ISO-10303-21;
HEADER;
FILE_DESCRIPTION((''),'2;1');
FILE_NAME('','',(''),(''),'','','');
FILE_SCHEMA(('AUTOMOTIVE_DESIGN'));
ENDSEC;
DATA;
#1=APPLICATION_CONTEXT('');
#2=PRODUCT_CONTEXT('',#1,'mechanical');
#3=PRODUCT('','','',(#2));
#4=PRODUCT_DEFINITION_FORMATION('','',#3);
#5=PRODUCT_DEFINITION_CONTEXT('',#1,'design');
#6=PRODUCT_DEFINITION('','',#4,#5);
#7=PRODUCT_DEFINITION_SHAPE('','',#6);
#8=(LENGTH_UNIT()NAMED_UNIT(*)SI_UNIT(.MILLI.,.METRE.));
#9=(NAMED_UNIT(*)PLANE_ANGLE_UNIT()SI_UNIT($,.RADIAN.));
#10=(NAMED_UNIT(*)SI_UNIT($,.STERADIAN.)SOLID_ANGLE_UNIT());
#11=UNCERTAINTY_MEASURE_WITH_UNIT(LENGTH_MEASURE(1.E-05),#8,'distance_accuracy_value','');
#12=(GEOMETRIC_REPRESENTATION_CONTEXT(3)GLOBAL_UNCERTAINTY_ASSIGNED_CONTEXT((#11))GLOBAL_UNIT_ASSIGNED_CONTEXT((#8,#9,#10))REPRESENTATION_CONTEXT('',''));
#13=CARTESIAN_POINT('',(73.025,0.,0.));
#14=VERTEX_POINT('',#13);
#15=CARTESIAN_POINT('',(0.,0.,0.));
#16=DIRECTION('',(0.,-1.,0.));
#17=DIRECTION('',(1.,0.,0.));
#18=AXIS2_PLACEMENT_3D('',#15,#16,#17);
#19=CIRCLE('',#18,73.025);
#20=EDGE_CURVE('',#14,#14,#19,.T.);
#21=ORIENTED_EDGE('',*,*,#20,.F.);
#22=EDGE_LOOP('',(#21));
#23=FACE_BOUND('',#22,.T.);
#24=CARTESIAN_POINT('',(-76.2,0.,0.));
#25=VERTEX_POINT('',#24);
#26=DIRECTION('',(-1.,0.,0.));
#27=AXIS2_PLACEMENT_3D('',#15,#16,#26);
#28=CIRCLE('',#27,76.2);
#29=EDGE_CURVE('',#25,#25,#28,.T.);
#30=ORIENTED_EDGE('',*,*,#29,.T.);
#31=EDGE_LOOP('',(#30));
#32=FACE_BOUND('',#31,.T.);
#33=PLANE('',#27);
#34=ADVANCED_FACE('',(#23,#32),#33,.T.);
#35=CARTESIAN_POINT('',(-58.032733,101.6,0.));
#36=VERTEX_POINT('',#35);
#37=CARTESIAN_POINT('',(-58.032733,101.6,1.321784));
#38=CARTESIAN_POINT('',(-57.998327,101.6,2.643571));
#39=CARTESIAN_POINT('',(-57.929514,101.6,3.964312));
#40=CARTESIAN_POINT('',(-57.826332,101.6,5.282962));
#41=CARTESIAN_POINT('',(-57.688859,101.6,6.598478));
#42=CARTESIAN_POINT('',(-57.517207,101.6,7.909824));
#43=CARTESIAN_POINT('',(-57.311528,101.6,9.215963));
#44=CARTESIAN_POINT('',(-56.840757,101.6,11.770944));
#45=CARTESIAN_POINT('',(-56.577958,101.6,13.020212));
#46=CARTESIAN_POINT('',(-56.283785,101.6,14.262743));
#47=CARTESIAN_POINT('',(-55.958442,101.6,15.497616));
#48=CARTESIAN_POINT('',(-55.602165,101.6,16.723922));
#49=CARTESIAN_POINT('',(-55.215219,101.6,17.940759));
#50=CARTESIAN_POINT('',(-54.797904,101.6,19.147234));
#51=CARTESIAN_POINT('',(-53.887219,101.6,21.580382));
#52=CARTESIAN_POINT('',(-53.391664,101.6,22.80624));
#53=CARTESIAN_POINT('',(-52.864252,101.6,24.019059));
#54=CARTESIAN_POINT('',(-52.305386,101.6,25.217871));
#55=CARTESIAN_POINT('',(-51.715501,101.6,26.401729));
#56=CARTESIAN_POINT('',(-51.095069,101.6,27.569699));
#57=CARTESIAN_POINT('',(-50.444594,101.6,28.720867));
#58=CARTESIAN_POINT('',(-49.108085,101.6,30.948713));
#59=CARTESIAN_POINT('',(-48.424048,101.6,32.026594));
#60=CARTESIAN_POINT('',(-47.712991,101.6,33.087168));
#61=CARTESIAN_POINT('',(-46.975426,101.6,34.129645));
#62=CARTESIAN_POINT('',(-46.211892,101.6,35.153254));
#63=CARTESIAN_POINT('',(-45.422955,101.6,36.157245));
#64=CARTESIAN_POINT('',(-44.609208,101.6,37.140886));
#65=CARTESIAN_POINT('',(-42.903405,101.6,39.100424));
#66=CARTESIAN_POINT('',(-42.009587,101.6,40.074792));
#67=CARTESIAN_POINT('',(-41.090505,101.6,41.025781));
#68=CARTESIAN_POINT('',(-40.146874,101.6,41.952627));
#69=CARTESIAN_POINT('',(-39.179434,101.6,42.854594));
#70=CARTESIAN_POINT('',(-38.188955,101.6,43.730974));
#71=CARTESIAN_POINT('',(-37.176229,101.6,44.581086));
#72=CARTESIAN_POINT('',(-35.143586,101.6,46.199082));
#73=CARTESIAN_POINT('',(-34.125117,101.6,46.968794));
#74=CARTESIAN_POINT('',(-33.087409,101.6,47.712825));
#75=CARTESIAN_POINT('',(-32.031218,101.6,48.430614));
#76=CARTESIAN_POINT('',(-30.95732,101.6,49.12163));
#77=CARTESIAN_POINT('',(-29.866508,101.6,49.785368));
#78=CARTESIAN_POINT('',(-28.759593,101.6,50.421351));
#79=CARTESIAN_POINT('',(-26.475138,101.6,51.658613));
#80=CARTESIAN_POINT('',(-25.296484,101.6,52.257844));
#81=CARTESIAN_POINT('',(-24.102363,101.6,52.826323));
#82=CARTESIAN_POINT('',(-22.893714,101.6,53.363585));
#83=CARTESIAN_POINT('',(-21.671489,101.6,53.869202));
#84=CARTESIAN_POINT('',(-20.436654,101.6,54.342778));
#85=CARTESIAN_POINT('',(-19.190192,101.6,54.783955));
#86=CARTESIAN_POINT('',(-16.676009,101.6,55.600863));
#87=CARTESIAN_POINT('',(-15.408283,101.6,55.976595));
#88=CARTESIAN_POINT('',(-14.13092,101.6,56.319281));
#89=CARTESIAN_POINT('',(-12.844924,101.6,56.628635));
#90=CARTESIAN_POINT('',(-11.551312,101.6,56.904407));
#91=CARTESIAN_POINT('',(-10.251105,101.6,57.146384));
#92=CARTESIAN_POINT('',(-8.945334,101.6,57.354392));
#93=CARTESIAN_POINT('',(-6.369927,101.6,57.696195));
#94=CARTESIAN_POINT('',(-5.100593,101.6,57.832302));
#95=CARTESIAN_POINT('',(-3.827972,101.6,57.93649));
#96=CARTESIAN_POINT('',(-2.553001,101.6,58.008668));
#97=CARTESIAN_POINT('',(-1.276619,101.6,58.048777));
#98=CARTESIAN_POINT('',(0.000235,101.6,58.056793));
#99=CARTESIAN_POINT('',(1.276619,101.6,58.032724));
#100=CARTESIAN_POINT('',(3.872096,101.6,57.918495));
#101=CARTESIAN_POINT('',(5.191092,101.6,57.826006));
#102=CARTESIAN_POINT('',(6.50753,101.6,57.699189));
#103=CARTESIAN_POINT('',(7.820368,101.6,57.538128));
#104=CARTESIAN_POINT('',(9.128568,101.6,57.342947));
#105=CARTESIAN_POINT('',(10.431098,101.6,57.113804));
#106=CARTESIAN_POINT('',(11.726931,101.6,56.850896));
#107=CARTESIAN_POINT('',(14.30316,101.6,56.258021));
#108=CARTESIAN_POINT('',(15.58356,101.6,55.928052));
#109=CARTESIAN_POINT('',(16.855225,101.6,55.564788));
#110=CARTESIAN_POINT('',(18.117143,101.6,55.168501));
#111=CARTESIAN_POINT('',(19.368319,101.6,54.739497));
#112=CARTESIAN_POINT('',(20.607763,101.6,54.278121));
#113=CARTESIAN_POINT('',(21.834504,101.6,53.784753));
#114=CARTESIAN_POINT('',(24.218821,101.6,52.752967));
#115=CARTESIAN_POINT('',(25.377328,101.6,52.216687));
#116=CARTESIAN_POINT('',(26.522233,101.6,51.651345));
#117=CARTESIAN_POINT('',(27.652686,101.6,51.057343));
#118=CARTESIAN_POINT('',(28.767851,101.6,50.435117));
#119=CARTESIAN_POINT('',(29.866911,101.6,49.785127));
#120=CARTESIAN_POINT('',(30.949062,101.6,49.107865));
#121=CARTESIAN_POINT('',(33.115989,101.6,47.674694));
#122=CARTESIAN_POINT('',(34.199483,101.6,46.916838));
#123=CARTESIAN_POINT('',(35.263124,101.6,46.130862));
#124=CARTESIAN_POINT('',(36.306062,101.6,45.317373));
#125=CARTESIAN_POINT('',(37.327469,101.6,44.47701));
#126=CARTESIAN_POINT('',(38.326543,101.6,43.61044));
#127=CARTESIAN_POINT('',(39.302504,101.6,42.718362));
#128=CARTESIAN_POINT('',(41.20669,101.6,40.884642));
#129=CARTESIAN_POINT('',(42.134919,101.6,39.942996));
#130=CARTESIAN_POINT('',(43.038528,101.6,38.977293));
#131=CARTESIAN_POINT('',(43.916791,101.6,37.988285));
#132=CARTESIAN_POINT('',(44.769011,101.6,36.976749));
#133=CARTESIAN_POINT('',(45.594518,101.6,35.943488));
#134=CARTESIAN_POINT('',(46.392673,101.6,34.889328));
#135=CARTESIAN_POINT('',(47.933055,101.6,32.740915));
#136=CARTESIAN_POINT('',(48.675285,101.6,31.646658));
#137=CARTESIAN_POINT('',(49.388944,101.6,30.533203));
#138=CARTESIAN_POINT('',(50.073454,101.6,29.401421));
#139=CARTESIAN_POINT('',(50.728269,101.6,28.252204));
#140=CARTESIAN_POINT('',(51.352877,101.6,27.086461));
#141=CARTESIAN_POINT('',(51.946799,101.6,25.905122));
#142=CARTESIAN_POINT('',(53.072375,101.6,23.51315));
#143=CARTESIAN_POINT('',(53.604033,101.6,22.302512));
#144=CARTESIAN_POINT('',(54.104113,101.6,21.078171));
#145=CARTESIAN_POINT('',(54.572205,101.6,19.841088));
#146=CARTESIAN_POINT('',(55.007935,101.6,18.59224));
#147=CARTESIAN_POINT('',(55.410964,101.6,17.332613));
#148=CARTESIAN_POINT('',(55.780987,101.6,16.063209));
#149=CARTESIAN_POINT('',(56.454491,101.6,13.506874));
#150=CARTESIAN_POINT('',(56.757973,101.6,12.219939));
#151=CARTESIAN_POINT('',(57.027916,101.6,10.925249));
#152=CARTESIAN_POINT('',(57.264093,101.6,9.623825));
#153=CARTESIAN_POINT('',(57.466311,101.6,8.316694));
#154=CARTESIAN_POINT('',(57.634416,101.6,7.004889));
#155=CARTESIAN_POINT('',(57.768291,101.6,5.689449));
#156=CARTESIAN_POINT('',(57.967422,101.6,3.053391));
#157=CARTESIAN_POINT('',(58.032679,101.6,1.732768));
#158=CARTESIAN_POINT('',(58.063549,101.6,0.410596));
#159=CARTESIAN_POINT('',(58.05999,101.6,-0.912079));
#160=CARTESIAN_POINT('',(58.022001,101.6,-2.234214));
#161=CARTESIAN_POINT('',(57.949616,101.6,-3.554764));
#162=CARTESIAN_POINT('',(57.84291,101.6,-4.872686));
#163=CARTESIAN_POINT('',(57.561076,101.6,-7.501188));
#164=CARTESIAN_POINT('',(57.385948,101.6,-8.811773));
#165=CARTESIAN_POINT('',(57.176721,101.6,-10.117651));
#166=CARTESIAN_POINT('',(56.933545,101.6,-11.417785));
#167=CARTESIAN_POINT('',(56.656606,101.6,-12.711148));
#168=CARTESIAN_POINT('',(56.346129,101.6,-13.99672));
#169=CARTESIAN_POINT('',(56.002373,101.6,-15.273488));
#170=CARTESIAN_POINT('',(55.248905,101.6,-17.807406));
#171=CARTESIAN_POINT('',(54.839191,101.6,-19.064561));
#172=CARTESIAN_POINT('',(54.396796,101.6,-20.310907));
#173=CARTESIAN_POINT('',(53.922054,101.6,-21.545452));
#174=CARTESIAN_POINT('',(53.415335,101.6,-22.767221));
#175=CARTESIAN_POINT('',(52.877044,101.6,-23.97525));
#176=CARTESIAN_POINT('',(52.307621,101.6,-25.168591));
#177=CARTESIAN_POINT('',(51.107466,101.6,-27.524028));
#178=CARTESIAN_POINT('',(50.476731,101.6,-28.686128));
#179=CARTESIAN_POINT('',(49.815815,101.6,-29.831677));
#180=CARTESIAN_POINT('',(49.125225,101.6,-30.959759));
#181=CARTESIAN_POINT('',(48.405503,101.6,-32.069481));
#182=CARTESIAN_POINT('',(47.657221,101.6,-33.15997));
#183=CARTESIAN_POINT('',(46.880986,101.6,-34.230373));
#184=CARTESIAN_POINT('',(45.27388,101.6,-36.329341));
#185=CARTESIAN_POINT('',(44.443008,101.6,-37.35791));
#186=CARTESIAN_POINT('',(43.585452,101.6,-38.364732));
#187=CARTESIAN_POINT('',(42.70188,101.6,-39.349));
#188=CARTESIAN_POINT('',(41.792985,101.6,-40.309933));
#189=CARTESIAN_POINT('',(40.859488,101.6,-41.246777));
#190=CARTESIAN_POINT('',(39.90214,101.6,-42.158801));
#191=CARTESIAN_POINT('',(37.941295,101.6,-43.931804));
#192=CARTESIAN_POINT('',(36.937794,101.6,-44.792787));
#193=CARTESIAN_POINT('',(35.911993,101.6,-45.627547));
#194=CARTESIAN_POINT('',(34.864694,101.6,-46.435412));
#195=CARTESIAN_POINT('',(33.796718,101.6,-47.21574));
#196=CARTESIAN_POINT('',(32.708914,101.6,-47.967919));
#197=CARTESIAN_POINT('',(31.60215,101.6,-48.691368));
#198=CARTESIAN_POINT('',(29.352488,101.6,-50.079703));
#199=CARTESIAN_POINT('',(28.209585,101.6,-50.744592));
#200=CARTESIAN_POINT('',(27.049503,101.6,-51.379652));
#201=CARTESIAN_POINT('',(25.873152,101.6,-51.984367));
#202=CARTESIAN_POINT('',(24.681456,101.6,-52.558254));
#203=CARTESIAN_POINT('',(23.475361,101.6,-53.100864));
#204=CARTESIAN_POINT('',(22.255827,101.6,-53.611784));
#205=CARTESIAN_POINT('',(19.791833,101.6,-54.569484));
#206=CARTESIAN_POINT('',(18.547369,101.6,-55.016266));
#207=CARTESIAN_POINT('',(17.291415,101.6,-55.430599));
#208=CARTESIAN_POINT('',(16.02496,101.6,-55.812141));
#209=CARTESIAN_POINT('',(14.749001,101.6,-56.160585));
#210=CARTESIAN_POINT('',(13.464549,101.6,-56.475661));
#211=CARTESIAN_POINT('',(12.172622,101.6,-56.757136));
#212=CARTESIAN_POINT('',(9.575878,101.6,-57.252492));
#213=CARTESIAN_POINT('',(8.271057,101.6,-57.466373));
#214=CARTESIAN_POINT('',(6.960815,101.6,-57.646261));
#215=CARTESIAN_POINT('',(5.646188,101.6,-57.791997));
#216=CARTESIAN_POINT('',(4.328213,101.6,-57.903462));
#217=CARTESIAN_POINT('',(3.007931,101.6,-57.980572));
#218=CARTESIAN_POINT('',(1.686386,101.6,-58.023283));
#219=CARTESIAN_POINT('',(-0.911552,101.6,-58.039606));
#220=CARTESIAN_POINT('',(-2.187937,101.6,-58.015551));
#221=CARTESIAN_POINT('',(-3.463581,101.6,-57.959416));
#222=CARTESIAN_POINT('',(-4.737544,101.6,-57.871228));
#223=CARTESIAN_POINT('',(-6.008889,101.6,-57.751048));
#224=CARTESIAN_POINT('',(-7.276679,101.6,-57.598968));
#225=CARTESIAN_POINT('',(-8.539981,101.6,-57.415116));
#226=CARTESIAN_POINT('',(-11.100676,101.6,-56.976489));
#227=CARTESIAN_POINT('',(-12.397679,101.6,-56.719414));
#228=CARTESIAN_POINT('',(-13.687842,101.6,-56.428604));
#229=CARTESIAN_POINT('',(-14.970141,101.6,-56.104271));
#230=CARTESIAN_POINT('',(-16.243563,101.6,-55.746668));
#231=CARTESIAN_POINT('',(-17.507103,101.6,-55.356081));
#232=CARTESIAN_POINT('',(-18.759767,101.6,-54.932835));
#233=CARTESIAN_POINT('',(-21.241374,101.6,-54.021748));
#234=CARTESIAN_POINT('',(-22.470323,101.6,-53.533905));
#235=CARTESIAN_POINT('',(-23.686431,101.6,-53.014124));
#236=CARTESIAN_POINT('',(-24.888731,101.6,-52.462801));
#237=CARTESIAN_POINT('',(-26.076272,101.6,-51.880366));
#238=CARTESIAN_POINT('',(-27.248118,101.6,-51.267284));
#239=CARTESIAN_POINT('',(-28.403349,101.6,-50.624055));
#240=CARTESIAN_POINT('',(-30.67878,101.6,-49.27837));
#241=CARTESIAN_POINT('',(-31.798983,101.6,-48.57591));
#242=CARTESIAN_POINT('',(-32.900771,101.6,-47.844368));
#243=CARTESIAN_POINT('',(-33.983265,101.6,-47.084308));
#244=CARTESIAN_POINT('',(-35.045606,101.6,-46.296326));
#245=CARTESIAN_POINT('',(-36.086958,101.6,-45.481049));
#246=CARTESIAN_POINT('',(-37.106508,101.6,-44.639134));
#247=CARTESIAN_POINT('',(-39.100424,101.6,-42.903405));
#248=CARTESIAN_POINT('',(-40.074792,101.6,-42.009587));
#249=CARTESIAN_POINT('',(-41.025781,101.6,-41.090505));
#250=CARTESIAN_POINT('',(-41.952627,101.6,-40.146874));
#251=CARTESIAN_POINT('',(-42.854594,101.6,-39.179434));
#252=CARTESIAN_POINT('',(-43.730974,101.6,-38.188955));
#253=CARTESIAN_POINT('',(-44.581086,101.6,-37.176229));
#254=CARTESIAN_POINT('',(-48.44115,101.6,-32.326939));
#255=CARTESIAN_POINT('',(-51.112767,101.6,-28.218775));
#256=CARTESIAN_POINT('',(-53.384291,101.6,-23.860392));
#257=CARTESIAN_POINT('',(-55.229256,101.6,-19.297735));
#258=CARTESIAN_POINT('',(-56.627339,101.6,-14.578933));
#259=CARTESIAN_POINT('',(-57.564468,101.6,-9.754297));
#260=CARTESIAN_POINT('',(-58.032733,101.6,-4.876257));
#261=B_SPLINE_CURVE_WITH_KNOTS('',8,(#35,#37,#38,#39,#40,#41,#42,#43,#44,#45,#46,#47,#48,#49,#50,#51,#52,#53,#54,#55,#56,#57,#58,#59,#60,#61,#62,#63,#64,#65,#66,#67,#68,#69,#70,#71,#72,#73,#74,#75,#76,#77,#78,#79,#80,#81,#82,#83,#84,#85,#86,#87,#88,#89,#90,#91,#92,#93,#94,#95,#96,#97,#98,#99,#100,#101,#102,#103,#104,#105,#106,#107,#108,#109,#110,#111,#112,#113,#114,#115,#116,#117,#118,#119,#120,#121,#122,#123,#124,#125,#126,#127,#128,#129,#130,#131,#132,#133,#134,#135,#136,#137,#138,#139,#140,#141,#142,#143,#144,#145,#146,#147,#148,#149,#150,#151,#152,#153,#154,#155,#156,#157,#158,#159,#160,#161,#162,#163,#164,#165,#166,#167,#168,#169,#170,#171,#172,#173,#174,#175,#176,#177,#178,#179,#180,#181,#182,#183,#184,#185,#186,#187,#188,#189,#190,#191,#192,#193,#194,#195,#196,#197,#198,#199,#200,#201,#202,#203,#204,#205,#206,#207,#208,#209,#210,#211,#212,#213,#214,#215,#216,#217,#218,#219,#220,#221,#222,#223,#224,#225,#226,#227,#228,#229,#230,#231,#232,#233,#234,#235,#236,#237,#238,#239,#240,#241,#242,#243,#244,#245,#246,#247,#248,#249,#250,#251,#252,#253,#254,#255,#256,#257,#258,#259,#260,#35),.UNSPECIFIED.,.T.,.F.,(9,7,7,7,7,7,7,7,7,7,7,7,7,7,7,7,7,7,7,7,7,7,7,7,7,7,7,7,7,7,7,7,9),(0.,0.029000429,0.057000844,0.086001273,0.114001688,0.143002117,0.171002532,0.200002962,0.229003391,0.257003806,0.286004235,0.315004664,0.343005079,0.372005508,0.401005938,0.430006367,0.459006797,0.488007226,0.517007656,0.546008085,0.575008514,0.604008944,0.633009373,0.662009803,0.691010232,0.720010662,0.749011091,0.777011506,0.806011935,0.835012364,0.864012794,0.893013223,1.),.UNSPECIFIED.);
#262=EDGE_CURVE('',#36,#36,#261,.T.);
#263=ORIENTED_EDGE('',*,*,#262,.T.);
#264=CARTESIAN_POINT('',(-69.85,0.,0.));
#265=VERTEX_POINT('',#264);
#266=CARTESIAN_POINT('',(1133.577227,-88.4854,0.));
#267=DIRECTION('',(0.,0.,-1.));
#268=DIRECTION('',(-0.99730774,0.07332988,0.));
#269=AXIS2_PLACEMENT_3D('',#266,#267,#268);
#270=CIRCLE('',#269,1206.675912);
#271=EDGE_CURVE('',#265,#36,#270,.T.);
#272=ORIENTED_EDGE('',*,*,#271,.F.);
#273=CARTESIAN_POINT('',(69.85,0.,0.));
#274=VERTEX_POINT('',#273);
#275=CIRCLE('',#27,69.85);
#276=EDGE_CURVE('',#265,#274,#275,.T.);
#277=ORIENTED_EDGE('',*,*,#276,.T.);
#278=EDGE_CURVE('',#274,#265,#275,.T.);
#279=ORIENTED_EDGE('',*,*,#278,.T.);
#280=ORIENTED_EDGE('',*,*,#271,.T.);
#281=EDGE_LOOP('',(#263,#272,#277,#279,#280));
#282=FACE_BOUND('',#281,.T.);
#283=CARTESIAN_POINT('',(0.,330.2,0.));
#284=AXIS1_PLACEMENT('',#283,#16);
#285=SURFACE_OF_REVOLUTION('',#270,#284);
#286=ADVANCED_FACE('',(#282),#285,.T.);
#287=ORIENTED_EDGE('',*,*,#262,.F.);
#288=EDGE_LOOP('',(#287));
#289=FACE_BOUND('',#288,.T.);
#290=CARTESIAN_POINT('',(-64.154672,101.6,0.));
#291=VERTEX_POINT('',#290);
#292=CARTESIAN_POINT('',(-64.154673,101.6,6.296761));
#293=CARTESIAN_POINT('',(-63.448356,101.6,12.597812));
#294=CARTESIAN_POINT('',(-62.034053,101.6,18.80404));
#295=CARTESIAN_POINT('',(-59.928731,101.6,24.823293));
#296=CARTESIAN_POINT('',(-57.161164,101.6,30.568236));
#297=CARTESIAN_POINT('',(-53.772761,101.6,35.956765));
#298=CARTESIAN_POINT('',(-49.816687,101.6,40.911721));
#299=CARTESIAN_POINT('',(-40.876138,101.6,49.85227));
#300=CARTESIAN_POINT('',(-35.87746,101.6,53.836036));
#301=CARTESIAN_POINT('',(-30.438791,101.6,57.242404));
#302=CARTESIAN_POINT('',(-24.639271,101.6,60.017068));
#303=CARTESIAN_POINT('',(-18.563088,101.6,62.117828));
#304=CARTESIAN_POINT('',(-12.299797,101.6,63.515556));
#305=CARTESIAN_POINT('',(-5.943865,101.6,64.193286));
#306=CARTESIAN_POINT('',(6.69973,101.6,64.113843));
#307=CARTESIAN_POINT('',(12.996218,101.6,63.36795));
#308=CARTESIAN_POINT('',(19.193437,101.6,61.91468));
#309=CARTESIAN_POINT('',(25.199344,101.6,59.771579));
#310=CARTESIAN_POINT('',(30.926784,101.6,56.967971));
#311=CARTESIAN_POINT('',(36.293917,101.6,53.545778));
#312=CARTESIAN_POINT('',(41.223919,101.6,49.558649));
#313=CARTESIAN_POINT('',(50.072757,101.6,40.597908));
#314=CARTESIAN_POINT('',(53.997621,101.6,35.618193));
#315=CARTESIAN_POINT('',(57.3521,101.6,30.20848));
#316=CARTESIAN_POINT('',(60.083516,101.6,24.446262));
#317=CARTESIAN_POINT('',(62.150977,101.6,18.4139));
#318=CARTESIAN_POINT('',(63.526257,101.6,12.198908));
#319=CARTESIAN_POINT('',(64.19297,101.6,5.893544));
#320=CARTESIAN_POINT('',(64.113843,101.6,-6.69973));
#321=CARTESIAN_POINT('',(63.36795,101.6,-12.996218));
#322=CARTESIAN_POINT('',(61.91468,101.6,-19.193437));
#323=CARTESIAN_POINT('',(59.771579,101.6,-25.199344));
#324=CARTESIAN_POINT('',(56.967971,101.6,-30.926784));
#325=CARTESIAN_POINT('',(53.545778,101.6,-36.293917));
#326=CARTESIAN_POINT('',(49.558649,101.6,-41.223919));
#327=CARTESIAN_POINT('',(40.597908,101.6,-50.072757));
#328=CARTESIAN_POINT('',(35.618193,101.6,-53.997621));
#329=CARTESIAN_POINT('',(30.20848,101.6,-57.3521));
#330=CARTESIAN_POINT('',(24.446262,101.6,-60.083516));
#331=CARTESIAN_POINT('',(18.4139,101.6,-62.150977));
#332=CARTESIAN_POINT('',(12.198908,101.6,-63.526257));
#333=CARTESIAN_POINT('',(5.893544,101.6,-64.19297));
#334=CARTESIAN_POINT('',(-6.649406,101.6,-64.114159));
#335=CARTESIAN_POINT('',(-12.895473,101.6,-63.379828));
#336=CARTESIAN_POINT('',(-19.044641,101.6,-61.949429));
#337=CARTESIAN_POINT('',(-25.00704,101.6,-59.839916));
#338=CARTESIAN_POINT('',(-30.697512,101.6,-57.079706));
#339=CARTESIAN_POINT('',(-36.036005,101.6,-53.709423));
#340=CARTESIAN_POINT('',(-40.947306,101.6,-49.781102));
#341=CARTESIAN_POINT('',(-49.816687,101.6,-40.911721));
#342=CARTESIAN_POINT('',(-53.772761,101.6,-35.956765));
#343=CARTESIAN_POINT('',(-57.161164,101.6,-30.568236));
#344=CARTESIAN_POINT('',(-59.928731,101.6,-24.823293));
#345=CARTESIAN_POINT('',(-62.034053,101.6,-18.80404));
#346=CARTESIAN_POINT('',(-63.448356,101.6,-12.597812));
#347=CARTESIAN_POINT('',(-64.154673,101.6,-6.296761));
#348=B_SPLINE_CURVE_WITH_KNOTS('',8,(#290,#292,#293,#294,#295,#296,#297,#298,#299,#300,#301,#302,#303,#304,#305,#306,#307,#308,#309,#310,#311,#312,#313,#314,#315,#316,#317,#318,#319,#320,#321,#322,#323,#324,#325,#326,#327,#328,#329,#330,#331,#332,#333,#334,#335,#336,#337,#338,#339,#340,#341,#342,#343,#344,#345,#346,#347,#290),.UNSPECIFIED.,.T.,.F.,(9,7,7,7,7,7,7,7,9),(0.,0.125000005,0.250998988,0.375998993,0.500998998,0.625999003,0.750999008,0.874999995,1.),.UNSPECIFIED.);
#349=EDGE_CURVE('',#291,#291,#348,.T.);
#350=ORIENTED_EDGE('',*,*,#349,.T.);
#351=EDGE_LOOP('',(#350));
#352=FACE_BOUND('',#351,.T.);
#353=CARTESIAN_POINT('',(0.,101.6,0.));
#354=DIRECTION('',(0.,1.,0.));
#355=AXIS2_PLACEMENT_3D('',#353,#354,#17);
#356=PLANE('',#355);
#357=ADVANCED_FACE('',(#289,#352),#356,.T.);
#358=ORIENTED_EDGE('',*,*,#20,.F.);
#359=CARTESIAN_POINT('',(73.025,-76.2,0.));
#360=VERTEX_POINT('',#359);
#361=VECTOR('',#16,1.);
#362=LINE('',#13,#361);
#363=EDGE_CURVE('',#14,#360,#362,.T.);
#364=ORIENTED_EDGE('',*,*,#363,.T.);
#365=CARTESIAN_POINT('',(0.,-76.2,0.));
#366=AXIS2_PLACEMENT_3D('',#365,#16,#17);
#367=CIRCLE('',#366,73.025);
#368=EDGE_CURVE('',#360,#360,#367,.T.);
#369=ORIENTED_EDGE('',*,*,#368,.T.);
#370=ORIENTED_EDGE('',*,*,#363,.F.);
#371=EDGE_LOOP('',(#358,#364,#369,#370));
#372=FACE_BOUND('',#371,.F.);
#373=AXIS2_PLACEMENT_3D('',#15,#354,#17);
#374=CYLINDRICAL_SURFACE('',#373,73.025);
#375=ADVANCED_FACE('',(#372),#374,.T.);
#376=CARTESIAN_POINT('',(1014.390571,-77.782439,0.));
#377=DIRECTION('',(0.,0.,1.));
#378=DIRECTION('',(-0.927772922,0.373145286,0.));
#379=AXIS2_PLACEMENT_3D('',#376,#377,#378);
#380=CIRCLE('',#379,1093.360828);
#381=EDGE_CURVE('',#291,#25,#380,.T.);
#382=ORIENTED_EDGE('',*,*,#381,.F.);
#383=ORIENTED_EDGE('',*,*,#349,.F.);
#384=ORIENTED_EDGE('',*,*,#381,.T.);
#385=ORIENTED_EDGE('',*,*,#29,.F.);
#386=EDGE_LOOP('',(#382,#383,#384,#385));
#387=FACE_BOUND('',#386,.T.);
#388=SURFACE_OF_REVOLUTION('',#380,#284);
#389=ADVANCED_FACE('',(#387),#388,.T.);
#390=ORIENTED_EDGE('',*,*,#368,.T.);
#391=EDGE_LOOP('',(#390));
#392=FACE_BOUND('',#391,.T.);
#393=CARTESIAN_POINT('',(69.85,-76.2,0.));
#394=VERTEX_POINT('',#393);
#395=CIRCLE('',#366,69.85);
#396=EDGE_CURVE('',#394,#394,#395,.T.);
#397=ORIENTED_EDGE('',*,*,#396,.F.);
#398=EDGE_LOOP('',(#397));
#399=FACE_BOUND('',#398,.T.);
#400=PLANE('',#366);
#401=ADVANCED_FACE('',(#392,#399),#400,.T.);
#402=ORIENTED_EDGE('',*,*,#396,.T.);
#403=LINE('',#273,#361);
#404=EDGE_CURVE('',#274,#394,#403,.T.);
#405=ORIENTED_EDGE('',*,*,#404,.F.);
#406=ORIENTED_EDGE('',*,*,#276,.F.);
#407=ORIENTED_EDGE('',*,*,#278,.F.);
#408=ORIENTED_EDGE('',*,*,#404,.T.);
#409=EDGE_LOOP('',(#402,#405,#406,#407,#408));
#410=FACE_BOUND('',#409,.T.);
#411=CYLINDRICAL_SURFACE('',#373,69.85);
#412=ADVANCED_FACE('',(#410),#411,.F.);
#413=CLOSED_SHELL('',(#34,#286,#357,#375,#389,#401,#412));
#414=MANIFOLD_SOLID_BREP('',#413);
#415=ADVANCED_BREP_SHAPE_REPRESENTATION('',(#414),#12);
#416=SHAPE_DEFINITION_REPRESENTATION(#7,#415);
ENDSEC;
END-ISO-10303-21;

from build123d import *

# Parameters (mm, degrees)
SKETCH7_R           = 317.5
CUT_EXTRUDE2_DEPTH  = 279.4
SKETCH8_R           = 73.025
SKETCH8_R_2         = 69.85
BOSS_EXTRUDE1_DEPTH = 76.2


with BuildPart() as part:
    # Sketch2 → Revolve1 (revolve)
    with BuildSketch(Plane.XY):
        with BuildLine():
            Line((-76.2, 0), (-69.85, 0))
            ThreePointArc((-69.85, 0), (-46.178344337, 164.977710697), (0, 325.12))
            Line((0, 325.12), (0, 330.2))
            ThreePointArc((0, 330.2), (-50.970594074, 168.070137094), (-76.2, 0))
        make_face()
    revolve(axis=Axis((0, 330.2, 0), (0, -1, 0)))

    # Sketch7 → Cut-Extrude2 (cut)
    with BuildSketch(Plane(origin=(0, 381, 0), x_dir=(1, 0, 0), z_dir=(0, 1, 0))):
        Circle(SKETCH7_R)
    extrude(amount=-CUT_EXTRUDE2_DEPTH, mode=Mode.SUBTRACT)

    # Sketch8 → Boss-Extrude1 (add)
    with BuildSketch(Plane.XZ):
        Circle(SKETCH8_R)
        Circle(SKETCH8_R_2, mode=Mode.SUBTRACT)
    extrude(amount=BOSS_EXTRUDE1_DEPTH)


solid = part.part
